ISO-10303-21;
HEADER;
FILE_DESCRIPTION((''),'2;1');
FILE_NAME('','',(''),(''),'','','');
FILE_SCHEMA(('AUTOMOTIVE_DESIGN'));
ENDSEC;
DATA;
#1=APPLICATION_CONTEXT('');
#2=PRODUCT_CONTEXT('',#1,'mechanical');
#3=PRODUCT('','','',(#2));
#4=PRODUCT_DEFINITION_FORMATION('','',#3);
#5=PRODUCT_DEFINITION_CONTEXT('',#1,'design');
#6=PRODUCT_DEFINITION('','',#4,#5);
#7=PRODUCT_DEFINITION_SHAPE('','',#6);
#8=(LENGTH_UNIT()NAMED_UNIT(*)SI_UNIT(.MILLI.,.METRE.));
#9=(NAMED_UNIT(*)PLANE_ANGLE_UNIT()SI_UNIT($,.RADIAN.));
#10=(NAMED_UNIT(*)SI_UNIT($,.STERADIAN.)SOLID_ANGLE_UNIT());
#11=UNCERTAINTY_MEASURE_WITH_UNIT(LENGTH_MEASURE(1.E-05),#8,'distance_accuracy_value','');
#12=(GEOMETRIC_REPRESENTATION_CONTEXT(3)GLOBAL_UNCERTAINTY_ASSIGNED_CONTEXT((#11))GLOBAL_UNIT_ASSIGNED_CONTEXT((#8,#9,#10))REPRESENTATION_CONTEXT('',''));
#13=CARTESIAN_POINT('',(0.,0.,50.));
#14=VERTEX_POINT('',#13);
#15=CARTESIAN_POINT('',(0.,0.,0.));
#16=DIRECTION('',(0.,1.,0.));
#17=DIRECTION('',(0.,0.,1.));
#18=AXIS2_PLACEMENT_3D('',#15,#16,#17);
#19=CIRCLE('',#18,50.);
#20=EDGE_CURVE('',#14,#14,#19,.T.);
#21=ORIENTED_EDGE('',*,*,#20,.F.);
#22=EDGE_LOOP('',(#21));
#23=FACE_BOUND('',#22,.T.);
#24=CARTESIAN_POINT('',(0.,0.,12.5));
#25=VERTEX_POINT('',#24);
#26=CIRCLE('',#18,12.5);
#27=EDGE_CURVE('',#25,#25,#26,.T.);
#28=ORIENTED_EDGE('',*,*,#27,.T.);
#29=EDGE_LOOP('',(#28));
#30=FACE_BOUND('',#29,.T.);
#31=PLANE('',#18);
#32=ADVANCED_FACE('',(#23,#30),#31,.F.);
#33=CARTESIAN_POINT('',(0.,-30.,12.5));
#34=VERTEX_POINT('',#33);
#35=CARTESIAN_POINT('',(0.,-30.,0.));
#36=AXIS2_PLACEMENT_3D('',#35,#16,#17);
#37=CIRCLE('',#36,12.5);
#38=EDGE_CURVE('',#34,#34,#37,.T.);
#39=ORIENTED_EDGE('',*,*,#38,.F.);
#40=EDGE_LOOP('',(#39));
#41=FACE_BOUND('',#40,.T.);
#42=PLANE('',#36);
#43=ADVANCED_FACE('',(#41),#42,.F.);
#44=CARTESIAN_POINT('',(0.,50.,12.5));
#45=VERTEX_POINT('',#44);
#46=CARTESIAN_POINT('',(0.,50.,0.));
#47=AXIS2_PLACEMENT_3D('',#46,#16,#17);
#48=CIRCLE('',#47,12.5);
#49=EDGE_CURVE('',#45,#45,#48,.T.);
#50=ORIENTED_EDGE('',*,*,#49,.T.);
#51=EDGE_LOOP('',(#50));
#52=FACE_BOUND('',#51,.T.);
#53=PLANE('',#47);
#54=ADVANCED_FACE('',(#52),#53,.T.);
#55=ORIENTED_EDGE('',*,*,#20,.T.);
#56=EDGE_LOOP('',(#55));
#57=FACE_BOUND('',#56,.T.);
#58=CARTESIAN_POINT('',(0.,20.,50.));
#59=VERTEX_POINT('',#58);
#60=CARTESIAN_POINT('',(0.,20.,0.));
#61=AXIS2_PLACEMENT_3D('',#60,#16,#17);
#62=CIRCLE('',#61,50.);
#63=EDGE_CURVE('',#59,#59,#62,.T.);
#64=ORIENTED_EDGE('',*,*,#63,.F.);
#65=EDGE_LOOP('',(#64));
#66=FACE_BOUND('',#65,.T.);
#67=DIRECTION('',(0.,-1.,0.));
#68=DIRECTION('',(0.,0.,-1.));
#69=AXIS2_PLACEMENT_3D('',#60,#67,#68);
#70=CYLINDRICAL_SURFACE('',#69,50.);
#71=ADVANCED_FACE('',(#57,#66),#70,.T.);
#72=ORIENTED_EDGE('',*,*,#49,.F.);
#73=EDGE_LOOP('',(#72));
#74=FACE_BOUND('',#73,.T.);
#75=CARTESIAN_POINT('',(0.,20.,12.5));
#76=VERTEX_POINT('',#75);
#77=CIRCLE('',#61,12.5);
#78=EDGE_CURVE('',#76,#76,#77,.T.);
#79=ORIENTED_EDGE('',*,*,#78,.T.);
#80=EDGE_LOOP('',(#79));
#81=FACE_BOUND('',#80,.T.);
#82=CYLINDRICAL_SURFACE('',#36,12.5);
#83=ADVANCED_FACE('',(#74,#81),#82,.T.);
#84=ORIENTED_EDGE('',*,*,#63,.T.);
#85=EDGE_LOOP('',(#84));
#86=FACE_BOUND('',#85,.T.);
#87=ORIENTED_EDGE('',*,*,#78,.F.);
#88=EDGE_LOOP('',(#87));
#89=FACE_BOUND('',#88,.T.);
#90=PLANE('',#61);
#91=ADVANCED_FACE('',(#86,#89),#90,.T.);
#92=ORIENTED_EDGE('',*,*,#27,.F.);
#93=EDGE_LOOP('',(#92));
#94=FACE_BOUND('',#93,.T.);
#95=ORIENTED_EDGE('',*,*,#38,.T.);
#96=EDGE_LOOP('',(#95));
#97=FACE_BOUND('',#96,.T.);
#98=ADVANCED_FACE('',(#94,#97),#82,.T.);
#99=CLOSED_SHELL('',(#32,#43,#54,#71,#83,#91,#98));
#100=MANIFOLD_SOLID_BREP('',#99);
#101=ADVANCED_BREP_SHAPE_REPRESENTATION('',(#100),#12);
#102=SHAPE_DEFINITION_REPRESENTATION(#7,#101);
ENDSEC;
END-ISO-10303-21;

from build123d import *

# Parameters (mm, degrees)
ESBO_O2_R                     = 50
RESSALTO_EXTRUS_O1_DEPTH      = 20
ESBO_O3_R                     = 12.5
RESSALTO_EXTRUS_O2_DEPTH      = 40
RESSALTO_EXTRUS_O2_DEPTH_BACK = 40


with BuildPart() as part:
    # Esboço2 → Ressalto-extrusão1 (new body)
    with BuildSketch(Plane(origin=(0, 0, 0), x_dir=(1, 0, 0), z_dir=(0, 1, 0))):
        Circle(ESBO_O2_R)
    extrude(amount=RESSALTO_EXTRUS_O1_DEPTH)

    # Esboço3 → Ressalto-extrusão2 (add, two sides)
    with BuildSketch(Plane(origin=(0, 10, 0), x_dir=(1, 0, 0), z_dir=(0, 1, 0))) as ressalto_extrus_o2_sk:
        Circle(ESBO_O3_R)
    extrude(amount=RESSALTO_EXTRUS_O2_DEPTH)
    extrude(ressalto_extrus_o2_sk.sketch, amount=-RESSALTO_EXTRUS_O2_DEPTH_BACK)


solid = part.part
